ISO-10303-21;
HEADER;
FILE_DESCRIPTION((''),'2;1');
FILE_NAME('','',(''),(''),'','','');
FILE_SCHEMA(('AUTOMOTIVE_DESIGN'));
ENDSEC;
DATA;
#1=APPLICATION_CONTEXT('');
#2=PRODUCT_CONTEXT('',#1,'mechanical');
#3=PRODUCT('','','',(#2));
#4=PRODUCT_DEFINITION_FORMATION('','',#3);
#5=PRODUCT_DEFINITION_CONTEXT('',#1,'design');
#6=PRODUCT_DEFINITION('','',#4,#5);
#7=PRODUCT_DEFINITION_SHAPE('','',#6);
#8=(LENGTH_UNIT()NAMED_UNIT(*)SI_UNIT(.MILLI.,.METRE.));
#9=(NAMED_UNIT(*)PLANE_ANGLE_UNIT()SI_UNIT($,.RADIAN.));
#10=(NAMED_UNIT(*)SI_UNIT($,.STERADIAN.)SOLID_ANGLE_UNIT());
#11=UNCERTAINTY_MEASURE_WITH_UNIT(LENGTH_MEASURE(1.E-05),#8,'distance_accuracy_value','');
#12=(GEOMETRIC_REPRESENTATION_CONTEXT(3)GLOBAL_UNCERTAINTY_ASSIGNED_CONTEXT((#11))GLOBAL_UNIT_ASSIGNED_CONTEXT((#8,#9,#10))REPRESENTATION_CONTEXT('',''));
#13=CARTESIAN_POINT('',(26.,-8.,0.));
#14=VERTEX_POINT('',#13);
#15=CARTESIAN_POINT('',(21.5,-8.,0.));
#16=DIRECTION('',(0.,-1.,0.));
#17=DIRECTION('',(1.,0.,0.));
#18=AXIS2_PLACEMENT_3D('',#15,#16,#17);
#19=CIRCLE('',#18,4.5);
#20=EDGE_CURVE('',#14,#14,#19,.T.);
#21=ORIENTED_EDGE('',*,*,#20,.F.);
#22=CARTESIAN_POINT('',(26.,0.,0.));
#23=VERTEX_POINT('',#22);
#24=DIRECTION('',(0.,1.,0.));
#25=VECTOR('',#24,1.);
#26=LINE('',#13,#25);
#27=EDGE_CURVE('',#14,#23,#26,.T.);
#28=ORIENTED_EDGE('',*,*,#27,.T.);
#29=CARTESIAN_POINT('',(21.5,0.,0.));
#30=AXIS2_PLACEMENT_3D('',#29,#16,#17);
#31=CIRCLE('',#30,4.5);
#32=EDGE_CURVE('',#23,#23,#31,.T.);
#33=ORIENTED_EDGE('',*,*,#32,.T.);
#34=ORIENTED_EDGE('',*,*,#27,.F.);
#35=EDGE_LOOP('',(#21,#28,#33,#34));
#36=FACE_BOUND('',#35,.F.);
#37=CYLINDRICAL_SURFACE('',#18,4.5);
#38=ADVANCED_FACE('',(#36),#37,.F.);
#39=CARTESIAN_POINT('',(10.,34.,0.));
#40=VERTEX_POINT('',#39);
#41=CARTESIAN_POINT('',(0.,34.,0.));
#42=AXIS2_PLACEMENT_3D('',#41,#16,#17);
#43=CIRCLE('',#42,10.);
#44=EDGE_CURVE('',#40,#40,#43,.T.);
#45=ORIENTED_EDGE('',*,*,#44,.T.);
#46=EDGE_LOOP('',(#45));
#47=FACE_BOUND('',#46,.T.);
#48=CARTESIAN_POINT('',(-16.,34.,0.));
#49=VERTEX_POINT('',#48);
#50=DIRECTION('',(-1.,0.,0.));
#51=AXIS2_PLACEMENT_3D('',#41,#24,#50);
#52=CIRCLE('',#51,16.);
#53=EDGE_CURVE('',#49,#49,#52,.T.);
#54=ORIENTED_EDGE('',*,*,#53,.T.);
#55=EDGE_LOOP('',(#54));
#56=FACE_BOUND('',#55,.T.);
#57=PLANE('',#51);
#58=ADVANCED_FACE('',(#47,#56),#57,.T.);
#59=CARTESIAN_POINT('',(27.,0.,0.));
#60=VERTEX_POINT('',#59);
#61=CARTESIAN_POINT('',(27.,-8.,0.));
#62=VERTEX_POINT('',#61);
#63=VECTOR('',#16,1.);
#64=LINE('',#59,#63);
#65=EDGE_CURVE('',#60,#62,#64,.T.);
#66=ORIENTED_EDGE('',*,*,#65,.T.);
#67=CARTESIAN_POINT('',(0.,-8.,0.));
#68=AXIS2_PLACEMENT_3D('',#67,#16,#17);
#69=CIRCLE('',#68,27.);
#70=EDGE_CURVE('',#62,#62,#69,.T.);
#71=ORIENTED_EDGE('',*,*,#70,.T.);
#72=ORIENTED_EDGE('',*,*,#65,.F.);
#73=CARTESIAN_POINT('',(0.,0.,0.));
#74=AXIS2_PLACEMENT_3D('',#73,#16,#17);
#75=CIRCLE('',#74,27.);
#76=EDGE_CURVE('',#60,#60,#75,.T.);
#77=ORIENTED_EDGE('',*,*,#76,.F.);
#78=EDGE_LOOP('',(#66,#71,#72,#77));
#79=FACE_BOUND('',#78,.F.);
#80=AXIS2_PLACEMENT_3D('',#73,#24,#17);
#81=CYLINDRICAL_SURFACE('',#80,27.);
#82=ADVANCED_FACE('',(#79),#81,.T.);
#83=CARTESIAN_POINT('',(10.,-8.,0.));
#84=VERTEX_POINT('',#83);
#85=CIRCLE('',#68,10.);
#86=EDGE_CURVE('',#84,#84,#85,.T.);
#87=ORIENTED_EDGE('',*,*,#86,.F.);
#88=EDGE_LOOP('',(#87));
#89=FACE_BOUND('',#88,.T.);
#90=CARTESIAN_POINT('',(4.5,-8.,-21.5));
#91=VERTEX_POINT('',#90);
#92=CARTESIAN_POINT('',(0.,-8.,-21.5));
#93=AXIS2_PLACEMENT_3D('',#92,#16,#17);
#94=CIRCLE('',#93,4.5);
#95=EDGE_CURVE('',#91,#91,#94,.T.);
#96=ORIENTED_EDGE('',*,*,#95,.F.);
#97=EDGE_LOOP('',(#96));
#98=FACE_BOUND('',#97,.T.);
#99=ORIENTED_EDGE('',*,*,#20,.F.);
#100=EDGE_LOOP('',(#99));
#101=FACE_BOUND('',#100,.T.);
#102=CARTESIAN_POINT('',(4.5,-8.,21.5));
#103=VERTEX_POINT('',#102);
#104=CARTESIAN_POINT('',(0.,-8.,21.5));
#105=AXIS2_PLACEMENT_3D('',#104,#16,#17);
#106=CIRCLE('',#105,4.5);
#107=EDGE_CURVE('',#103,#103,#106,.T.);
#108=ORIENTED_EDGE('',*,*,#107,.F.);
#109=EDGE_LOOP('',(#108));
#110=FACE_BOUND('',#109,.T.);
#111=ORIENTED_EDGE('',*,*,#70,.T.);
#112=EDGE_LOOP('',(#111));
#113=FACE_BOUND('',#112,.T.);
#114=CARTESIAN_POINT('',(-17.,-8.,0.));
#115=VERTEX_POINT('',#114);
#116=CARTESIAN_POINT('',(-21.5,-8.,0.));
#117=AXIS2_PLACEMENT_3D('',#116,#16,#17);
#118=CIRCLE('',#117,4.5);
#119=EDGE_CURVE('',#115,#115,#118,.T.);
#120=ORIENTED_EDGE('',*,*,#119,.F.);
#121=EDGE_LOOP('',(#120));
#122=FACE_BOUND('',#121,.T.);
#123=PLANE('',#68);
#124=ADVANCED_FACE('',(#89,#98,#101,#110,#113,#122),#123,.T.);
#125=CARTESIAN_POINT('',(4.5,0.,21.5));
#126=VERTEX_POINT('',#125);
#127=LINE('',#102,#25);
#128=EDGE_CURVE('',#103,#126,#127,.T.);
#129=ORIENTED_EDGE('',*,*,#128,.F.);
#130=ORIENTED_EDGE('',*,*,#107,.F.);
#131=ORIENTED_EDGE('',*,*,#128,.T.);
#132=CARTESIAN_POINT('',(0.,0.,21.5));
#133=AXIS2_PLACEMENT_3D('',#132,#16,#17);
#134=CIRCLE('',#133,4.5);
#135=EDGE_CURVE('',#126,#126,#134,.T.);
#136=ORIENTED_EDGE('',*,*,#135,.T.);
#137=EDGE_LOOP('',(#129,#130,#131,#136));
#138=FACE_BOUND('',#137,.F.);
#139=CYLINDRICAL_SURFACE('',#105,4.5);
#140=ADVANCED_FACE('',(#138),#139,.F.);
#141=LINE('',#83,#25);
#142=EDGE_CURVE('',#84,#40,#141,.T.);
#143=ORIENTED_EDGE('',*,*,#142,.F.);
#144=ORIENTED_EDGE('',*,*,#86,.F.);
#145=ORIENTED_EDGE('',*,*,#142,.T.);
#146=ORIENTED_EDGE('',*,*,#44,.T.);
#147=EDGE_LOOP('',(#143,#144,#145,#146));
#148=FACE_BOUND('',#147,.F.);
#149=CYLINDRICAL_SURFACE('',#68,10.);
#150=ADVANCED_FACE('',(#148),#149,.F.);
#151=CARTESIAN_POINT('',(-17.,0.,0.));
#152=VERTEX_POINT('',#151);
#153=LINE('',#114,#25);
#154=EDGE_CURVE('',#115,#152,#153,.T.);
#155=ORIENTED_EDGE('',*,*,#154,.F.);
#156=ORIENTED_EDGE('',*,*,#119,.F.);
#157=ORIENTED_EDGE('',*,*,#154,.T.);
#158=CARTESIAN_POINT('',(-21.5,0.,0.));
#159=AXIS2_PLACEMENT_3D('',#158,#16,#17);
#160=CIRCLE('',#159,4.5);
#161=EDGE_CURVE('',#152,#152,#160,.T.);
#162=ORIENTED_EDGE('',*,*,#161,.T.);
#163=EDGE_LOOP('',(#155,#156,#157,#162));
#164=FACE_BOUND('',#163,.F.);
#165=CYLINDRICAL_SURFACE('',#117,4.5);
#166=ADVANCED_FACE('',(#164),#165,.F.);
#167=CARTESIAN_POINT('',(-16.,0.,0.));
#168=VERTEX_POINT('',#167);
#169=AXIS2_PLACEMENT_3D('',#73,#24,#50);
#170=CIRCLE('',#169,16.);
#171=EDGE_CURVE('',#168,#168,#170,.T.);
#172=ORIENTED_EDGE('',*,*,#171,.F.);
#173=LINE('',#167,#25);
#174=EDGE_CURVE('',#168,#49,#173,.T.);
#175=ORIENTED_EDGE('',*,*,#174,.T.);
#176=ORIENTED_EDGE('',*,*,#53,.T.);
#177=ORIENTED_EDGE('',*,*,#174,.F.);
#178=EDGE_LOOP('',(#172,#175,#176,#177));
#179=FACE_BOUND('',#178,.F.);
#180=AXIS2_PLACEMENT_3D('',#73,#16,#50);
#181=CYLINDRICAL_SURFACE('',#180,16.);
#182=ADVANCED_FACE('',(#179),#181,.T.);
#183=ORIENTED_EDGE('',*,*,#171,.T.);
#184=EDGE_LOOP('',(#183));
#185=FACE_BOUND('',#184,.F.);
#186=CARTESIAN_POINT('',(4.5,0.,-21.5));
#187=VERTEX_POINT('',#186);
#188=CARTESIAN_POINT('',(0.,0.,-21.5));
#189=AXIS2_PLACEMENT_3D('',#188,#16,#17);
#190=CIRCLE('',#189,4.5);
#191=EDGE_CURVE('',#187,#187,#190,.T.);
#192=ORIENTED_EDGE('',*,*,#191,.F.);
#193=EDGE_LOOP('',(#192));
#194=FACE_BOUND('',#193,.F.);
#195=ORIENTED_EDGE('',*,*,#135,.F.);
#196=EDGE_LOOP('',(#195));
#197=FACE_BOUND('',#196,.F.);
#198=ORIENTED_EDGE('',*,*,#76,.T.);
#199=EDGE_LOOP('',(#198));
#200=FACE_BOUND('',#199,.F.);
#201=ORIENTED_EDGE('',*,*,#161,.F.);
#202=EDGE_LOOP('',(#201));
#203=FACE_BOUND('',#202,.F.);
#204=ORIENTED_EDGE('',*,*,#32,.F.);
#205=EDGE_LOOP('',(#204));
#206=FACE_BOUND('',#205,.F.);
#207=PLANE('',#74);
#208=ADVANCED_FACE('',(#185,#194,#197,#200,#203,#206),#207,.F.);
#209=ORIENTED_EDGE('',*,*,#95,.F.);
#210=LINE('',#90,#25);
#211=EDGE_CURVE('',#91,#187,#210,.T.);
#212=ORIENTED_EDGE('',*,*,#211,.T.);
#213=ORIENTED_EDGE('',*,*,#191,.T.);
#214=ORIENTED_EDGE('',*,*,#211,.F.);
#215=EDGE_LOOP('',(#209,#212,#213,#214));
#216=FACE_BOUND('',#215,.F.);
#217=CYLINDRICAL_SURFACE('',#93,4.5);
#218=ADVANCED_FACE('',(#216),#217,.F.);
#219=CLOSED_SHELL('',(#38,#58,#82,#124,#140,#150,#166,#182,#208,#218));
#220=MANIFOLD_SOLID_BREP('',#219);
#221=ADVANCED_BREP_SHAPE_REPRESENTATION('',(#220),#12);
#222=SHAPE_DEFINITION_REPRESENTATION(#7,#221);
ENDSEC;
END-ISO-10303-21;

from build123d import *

# Parameters (mm, degrees)
F0_R     = 27
F1_DEPTH = 8
F2_R     = 16
F3_DEPTH = 34
F4_R     = 10
F4_R_2   = 4.5
F5_DEPTH = 50


with BuildPart() as f1:
    # F0 (on Front) → F1 (new body)
    with BuildSketch(Plane.XZ):
        Circle(F0_R)
    extrude(amount=F1_DEPTH)

    # F2 (on face) → F3 (join)
    with BuildSketch(Plane(origin=(0, 0, 0), x_dir=(-1, 0, 0), z_dir=(0, 1, 0))):
        Circle(F2_R)
    extrude(amount=F3_DEPTH)

    # F4 (on face) → F5 (cut)
    with BuildSketch(Plane.XZ.offset(8)):
        Circle(F4_R)
        with Locations((0, 21.5)):
            Circle(F4_R_2)
        with Locations((-21.5, 0)):
            Circle(F4_R_2)
        with Locations((0, -21.5)):
            Circle(F4_R_2)
        with Locations((21.5, 0)):
            Circle(F4_R_2)
    extrude(amount=-F5_DEPTH, mode=Mode.SUBTRACT)


solid = f1.part
